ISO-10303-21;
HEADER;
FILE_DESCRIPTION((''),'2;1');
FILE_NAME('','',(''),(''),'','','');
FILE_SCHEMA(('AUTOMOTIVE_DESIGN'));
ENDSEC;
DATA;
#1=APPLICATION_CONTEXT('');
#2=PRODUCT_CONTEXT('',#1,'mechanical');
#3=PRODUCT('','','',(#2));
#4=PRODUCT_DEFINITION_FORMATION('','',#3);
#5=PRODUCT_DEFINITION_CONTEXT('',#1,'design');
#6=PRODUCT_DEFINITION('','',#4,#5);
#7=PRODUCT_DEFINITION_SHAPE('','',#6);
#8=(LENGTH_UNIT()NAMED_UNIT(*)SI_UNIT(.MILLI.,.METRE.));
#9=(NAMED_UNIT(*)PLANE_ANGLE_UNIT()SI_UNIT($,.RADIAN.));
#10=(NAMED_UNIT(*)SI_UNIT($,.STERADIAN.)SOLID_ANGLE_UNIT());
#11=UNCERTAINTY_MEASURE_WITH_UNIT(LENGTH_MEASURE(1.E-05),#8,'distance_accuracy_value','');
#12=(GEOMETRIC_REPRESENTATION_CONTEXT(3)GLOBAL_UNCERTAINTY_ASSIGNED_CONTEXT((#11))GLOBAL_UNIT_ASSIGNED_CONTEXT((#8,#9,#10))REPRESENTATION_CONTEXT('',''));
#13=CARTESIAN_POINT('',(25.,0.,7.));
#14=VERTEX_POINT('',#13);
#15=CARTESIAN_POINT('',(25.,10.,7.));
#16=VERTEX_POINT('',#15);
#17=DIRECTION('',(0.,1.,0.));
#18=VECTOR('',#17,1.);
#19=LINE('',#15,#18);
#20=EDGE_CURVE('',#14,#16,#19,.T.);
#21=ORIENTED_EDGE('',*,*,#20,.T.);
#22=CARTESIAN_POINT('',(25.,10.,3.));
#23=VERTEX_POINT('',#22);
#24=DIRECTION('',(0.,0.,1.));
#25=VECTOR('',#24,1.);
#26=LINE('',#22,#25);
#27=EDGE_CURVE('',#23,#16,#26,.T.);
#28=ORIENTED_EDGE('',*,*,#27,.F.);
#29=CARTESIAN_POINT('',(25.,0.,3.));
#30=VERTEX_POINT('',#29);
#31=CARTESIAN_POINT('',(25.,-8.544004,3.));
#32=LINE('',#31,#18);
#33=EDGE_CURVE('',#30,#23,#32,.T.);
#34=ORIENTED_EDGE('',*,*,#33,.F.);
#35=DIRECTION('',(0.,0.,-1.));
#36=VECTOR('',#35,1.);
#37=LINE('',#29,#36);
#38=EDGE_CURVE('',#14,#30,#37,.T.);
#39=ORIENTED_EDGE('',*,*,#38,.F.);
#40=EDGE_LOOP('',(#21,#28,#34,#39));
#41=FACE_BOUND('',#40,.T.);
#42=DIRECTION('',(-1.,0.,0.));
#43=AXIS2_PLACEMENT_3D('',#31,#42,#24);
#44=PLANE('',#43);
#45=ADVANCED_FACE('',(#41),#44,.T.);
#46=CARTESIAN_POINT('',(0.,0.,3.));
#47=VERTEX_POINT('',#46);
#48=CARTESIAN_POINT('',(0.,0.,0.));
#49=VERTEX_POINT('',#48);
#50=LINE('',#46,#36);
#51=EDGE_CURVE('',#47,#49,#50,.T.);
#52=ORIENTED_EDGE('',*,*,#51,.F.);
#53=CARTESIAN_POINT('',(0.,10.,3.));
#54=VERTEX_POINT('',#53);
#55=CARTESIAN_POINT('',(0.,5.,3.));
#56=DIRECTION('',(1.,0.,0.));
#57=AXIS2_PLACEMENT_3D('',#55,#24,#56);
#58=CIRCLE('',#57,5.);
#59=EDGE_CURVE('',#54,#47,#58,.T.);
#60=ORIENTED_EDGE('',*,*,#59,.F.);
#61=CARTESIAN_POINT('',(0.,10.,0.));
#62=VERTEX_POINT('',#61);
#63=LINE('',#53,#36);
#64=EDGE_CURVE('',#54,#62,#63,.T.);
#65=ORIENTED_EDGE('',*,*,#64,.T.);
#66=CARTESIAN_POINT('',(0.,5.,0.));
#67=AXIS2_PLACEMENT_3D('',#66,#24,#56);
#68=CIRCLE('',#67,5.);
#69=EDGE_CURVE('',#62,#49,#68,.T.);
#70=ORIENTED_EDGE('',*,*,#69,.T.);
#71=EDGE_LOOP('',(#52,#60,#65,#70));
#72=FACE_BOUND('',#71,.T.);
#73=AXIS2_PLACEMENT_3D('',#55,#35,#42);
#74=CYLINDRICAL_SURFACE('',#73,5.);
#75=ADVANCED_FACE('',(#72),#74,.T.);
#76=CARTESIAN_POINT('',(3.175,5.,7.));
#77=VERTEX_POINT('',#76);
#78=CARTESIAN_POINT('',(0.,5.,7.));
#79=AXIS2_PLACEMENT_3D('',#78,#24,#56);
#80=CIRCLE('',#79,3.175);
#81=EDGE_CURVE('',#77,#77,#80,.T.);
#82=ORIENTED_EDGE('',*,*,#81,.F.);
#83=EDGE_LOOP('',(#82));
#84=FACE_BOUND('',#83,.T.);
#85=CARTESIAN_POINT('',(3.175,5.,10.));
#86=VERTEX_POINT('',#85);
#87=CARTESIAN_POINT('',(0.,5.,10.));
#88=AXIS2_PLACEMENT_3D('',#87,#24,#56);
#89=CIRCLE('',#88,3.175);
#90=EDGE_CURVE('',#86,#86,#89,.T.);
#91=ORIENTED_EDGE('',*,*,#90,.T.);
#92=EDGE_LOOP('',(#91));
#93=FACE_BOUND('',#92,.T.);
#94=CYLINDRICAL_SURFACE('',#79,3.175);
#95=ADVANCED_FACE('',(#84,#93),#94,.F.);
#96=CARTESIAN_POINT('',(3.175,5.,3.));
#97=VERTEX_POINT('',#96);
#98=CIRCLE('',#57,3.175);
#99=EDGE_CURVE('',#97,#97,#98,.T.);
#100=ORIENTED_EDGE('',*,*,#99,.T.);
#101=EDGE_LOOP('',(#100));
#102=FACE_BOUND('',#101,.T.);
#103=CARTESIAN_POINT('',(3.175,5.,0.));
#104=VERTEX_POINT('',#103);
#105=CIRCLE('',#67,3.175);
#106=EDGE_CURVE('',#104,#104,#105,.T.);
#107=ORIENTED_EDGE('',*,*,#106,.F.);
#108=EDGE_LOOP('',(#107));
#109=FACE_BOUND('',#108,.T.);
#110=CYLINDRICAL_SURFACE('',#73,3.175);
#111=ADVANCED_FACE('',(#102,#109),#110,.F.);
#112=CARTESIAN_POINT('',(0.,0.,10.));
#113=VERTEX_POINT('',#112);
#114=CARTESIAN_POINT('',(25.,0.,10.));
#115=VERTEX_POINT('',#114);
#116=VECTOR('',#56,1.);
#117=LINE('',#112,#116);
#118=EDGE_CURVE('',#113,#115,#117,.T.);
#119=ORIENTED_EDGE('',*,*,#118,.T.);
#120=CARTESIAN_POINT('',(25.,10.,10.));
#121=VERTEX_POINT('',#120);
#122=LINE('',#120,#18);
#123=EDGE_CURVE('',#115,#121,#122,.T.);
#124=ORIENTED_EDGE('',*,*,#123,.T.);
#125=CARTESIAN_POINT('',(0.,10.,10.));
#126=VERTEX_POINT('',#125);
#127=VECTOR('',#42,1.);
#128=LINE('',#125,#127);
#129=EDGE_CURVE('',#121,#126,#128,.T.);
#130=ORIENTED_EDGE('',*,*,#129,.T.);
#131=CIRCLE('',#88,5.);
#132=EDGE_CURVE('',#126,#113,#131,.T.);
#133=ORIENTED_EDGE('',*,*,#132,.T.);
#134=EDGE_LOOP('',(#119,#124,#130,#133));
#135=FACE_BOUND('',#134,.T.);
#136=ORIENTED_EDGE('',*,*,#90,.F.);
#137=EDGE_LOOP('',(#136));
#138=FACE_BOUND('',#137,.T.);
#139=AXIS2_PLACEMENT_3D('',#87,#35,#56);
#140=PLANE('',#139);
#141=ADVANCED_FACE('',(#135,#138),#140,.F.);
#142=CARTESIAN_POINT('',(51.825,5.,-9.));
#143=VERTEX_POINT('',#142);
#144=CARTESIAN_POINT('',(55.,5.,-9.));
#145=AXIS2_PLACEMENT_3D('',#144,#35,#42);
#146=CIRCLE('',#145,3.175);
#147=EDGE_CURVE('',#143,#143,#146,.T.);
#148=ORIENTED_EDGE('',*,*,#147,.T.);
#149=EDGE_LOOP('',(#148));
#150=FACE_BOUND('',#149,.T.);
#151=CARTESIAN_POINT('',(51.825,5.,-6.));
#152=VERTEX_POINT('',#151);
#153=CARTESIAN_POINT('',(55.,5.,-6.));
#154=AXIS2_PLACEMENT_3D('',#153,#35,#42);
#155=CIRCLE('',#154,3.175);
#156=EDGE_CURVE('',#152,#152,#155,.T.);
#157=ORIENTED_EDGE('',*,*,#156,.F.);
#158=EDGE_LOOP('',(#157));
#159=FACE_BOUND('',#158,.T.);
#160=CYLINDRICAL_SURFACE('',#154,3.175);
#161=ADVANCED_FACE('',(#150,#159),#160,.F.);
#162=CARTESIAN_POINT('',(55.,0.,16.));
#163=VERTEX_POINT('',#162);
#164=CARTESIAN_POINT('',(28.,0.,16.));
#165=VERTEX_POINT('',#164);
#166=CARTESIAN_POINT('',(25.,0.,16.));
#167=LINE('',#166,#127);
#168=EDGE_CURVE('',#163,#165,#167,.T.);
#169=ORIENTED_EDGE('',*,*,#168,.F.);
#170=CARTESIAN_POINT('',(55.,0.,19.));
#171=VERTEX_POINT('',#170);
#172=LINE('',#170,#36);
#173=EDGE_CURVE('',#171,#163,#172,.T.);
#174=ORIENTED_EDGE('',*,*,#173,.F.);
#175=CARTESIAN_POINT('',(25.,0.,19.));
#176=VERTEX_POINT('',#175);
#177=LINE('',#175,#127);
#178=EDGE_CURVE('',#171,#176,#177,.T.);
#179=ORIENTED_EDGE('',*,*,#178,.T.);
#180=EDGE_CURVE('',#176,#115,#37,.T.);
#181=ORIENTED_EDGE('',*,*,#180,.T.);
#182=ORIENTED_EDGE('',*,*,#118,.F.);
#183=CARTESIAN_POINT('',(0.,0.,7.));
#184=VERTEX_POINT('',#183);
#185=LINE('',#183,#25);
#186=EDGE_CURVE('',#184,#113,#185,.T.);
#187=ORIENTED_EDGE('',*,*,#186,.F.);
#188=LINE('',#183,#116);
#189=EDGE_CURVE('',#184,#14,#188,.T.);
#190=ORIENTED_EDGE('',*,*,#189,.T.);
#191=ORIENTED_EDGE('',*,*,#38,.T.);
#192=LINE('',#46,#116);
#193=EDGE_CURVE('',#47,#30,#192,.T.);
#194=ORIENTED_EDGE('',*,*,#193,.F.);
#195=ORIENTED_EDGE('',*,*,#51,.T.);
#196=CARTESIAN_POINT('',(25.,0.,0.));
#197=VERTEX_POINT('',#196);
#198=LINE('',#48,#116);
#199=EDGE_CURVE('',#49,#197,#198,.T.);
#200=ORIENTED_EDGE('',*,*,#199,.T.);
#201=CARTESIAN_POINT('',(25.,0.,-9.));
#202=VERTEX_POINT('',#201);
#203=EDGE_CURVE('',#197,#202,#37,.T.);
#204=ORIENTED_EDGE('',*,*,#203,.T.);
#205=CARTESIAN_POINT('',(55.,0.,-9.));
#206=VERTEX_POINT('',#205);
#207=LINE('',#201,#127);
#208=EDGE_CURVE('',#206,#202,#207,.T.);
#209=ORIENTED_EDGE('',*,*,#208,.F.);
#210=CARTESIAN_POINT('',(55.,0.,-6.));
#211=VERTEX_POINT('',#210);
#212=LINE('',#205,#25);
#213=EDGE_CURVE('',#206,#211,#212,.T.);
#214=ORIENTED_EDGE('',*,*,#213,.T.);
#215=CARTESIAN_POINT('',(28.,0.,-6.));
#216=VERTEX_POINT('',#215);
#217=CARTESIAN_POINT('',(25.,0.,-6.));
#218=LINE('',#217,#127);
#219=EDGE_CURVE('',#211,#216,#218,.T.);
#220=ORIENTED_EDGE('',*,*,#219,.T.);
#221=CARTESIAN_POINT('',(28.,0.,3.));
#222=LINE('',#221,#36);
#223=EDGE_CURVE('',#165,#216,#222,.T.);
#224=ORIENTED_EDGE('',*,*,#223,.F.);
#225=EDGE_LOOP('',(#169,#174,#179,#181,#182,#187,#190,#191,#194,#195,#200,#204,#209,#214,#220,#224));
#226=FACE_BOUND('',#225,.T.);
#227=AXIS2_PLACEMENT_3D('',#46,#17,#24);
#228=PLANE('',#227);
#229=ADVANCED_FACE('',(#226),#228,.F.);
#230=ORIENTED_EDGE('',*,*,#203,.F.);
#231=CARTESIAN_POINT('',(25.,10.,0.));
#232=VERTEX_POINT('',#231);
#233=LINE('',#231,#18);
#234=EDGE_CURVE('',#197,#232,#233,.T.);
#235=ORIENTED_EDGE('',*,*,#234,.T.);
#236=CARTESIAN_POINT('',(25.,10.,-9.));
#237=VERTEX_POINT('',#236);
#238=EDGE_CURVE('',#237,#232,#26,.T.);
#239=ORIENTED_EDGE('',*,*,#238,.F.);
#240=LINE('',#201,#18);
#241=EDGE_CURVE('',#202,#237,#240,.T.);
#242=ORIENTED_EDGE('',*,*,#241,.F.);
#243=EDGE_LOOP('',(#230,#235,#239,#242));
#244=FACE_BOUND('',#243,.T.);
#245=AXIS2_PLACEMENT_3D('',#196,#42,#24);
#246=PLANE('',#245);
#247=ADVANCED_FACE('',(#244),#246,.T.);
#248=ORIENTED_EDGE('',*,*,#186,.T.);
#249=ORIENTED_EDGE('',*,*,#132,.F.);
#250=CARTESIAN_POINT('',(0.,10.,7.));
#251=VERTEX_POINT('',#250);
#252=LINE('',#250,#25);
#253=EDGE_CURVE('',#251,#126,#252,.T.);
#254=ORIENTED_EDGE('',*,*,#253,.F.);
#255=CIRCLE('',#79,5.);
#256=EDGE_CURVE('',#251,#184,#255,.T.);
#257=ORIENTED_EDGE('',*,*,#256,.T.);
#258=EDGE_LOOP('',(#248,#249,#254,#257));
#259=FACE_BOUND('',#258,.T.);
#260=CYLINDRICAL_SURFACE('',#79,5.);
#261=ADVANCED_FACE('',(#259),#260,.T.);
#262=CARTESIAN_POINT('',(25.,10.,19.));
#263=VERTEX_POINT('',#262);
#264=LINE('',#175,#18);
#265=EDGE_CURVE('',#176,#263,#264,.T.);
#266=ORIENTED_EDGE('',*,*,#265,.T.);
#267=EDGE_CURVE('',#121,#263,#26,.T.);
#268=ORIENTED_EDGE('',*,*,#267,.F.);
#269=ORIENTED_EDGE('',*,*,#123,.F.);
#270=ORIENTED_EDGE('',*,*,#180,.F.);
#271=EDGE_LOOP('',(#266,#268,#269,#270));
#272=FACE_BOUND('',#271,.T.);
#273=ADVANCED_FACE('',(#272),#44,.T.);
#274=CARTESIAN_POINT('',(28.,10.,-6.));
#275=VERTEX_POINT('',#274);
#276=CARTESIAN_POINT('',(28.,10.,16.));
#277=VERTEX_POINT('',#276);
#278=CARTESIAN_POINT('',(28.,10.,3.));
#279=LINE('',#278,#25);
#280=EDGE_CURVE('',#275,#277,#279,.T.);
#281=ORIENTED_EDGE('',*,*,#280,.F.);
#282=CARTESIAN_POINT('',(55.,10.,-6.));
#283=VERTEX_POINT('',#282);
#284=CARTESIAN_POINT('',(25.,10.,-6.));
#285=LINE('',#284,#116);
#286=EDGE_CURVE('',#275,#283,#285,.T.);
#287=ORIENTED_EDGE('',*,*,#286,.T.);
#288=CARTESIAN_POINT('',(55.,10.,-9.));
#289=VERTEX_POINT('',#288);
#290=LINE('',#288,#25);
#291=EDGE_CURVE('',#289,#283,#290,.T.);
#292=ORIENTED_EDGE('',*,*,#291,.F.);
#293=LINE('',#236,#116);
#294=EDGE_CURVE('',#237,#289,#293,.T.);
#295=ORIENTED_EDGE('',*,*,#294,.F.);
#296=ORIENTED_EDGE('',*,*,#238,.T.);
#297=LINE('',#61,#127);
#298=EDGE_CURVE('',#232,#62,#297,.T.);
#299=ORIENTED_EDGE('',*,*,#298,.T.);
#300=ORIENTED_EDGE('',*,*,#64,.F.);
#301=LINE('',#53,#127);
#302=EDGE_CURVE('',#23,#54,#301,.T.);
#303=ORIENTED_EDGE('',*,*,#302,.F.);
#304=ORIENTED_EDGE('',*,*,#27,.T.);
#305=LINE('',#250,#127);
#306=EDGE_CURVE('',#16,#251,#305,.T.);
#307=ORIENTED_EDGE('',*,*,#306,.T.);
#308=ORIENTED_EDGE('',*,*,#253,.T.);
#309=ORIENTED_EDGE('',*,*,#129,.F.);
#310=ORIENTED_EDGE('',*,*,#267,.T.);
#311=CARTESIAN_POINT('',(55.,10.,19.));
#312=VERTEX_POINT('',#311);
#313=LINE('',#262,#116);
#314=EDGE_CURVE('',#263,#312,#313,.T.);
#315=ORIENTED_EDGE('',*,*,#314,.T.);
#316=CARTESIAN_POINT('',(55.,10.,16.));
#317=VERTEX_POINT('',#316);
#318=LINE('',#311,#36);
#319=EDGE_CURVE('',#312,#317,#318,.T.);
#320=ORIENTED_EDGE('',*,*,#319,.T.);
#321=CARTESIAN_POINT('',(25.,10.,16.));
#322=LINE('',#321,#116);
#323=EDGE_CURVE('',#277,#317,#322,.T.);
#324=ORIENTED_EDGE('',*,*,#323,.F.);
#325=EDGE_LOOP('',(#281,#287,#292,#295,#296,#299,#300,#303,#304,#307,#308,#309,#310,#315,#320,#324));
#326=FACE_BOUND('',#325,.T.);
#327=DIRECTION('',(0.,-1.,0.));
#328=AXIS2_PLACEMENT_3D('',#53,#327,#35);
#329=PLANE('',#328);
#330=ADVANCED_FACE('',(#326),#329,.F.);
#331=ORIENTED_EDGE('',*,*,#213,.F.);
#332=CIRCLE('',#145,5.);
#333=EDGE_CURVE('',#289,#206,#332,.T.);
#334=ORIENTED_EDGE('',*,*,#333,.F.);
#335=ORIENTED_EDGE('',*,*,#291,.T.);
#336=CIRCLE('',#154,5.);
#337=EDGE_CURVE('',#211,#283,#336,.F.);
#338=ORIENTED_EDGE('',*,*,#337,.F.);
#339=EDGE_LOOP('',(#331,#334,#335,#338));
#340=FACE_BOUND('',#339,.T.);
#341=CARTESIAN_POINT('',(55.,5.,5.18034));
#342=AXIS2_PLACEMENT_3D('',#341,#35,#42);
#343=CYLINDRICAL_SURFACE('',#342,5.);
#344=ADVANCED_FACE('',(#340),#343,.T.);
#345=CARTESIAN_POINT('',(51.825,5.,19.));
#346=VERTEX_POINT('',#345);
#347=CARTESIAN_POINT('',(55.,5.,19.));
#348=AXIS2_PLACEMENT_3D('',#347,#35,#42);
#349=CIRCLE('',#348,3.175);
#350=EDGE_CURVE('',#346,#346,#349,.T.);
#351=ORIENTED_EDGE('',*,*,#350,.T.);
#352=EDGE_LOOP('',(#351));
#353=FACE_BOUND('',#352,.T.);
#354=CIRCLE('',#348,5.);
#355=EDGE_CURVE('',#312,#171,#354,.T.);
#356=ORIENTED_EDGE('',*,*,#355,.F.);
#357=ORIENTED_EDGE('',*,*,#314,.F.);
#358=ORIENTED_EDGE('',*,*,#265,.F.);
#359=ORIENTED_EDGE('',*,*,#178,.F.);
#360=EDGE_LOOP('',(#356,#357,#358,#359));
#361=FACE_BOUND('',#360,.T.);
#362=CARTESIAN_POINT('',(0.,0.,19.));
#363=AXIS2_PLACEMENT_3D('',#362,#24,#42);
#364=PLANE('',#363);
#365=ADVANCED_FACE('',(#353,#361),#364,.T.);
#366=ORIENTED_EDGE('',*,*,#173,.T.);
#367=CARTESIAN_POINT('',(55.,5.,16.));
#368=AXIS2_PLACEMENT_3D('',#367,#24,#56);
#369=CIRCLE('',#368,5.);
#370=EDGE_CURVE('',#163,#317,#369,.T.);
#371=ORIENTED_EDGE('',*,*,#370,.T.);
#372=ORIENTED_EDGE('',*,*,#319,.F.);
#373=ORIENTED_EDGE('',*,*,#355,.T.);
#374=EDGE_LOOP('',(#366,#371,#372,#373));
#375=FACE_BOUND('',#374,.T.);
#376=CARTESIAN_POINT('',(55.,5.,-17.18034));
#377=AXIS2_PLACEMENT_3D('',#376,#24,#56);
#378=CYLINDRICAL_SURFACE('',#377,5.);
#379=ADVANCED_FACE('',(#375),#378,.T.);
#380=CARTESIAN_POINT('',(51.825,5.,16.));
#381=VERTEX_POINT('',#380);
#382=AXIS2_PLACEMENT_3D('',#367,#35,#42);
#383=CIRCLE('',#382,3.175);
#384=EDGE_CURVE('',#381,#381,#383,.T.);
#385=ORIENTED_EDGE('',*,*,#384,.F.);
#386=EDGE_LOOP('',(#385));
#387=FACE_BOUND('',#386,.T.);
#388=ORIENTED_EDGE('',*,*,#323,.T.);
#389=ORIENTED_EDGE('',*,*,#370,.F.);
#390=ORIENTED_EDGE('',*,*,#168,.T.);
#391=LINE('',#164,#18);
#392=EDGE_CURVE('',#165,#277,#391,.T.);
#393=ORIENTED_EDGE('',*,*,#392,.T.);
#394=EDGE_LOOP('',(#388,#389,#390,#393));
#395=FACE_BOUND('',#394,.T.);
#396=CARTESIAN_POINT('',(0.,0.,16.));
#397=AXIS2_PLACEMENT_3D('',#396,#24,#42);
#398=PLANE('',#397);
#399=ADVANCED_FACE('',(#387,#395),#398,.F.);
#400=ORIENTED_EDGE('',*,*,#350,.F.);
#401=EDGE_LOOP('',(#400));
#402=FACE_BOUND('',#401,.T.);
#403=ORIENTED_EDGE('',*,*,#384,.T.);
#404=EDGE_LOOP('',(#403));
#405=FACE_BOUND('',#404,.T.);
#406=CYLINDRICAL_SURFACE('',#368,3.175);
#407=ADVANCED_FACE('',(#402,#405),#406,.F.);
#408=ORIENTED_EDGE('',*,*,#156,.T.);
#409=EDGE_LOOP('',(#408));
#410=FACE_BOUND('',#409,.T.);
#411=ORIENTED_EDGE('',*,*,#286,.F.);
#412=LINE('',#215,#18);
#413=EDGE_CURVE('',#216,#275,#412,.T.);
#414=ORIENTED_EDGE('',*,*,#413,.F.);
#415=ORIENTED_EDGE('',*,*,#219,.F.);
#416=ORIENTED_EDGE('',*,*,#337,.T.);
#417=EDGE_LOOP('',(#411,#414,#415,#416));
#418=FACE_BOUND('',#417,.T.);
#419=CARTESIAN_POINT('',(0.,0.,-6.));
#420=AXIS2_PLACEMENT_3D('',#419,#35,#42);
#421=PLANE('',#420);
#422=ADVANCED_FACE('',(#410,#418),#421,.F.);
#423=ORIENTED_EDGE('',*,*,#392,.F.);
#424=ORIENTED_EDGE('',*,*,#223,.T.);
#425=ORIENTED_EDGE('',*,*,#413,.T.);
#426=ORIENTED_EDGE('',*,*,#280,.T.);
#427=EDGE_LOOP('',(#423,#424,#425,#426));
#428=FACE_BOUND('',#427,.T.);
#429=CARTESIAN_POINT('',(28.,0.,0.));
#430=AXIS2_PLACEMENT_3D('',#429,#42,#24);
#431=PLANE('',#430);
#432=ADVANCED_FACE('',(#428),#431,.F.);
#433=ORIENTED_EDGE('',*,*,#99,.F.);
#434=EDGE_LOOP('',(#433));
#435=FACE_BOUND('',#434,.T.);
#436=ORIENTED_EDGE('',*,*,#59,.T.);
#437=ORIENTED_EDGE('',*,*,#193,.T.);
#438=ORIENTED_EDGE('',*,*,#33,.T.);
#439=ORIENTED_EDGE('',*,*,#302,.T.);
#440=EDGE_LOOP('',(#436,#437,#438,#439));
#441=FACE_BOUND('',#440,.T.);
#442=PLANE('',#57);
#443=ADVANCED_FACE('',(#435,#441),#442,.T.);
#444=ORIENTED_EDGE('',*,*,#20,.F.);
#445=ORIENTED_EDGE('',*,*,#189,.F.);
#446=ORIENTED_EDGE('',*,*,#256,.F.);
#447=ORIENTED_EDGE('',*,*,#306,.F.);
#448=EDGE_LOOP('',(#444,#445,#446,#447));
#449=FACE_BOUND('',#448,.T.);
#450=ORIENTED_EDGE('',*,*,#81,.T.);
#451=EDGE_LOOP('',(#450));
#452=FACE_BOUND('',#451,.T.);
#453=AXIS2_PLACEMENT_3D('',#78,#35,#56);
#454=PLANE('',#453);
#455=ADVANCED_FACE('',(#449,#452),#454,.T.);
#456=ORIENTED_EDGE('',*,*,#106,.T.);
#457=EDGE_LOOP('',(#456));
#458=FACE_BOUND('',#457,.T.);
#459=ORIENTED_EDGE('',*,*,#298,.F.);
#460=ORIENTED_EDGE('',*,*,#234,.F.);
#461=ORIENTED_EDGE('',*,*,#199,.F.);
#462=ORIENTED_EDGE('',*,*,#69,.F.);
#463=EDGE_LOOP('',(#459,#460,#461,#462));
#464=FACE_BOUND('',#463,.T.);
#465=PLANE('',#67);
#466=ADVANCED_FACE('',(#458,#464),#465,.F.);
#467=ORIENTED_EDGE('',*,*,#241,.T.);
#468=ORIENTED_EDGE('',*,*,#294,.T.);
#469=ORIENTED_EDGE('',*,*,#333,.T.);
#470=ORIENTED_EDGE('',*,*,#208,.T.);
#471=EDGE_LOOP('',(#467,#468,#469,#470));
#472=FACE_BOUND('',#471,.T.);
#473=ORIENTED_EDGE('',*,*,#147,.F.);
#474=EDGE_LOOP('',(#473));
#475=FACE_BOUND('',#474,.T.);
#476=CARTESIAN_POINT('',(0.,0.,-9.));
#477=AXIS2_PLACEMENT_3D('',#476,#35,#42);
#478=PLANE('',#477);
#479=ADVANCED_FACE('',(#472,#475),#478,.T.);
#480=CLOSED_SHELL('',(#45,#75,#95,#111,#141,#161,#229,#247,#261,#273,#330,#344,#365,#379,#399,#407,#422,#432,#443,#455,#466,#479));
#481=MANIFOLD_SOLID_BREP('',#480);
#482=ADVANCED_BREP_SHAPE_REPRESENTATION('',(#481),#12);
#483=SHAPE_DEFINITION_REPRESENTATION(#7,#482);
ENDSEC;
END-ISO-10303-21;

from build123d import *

# Parameters (mm, degrees)
SKETCH1_R           = 3.175
BOSS_EXTRUDE1_DEPTH = 3
SKETCH2_W           = 9
SKETCH2_H           = 10
BOSS_EXTRUDE2_DEPTH = 3
SKETCH3_W           = 30
SKETCH3_H           = 10
BOSS_EXTRUDE3_DEPTH = 3
BOSS_EXTRUDE4_DEPTH = 3
SKETCH6_R           = 3.175
CUT_EXTRUDE1_DEPTH  = 3
SKETCH7_W           = 3
SKETCH7_H           = 8
BOSS_EXTRUDE5_DEPTH = 10


with BuildPart() as part:
    # Sketch1 → Boss-Extrude1 (new body)
    with BuildSketch(Plane.XY):
        with BuildLine():
            Line((0, 0), (25, 0))
            Line((25, 0), (25, 10))
            Line((25, 10), (0, 10))
            ThreePointArc((0, 10), (-5, 5), (0, 0))
        make_face()
        with Locations((0, 5)):
            Circle(SKETCH1_R, mode=Mode.SUBTRACT)
    boss_extrude1 = extrude(amount=BOSS_EXTRUDE1_DEPTH)

    # Sketch2 → Boss-Extrude2 (add)
    with BuildSketch(Plane(origin=(25, 0, 0), x_dir=(0, 0, -1), z_dir=(1, 0, 0))):
        with Locations((1.5, 5)):
            Rectangle(SKETCH2_W, SKETCH2_H)
    boss_extrude2 = extrude(amount=BOSS_EXTRUDE2_DEPTH)

    # Sketch3 → Boss-Extrude3 (add)
    with BuildSketch(Plane(origin=(0, 0, -6), x_dir=(-1, 0, 0), z_dir=(0, 0, -1))):
        with Locations((-40, 5)):
            Rectangle(SKETCH3_W, SKETCH3_H)
    boss_extrude3 = extrude(amount=BOSS_EXTRUDE3_DEPTH)

    # Sketch5 → Boss-Extrude4 (add)
    with BuildSketch(Plane(origin=(0, 0, -9), x_dir=(-1, 0, 0), z_dir=(0, 0, -1))):
        with BuildLine():
            Line((-55, 10), (-55, 0))
            ThreePointArc((-55, 0), (-60, 5), (-55, 10))
        make_face()
    boss_extrude4 = extrude(amount=-BOSS_EXTRUDE4_DEPTH)

    # Sketch6 → Cut-Extrude1 (cut)
    with BuildSketch(Plane(origin=(0, 0, -9), x_dir=(-1, 0, 0), z_dir=(0, 0, -1))):
        with Locations((-55, 5)):
            Circle(SKETCH6_R)
    cut_extrude1 = extrude(amount=-CUT_EXTRUDE1_DEPTH, mode=Mode.SUBTRACT)

    # Sketch7 → Boss-Extrude5 (add)
    with BuildSketch(Plane(origin=(0, 10, 0), x_dir=(1, 0, 0), z_dir=(0, 1, 0))):
        with Locations((26.5, -7)):
            Rectangle(SKETCH7_W, SKETCH7_H)
    boss_extrude5 = extrude(amount=-BOSS_EXTRUDE5_DEPTH)

    # Mirror5: Boss-Extrude1, Boss-Extrude2, Boss-Extrude3, Boss-Extrude4, Cut-Extrude1, Boss-Extrude5 across plane
    add(boss_extrude1.mirror(Plane.XY.offset(5)))
    add(boss_extrude2.mirror(Plane.XY.offset(5)))
    add(boss_extrude3.mirror(Plane.XY.offset(5)))
    add(boss_extrude4.mirror(Plane.XY.offset(5)))
    add(cut_extrude1.mirror(Plane.XY.offset(5)), mode=Mode.SUBTRACT)
    add(boss_extrude5.mirror(Plane.XY.offset(5)))


solid = part.part
